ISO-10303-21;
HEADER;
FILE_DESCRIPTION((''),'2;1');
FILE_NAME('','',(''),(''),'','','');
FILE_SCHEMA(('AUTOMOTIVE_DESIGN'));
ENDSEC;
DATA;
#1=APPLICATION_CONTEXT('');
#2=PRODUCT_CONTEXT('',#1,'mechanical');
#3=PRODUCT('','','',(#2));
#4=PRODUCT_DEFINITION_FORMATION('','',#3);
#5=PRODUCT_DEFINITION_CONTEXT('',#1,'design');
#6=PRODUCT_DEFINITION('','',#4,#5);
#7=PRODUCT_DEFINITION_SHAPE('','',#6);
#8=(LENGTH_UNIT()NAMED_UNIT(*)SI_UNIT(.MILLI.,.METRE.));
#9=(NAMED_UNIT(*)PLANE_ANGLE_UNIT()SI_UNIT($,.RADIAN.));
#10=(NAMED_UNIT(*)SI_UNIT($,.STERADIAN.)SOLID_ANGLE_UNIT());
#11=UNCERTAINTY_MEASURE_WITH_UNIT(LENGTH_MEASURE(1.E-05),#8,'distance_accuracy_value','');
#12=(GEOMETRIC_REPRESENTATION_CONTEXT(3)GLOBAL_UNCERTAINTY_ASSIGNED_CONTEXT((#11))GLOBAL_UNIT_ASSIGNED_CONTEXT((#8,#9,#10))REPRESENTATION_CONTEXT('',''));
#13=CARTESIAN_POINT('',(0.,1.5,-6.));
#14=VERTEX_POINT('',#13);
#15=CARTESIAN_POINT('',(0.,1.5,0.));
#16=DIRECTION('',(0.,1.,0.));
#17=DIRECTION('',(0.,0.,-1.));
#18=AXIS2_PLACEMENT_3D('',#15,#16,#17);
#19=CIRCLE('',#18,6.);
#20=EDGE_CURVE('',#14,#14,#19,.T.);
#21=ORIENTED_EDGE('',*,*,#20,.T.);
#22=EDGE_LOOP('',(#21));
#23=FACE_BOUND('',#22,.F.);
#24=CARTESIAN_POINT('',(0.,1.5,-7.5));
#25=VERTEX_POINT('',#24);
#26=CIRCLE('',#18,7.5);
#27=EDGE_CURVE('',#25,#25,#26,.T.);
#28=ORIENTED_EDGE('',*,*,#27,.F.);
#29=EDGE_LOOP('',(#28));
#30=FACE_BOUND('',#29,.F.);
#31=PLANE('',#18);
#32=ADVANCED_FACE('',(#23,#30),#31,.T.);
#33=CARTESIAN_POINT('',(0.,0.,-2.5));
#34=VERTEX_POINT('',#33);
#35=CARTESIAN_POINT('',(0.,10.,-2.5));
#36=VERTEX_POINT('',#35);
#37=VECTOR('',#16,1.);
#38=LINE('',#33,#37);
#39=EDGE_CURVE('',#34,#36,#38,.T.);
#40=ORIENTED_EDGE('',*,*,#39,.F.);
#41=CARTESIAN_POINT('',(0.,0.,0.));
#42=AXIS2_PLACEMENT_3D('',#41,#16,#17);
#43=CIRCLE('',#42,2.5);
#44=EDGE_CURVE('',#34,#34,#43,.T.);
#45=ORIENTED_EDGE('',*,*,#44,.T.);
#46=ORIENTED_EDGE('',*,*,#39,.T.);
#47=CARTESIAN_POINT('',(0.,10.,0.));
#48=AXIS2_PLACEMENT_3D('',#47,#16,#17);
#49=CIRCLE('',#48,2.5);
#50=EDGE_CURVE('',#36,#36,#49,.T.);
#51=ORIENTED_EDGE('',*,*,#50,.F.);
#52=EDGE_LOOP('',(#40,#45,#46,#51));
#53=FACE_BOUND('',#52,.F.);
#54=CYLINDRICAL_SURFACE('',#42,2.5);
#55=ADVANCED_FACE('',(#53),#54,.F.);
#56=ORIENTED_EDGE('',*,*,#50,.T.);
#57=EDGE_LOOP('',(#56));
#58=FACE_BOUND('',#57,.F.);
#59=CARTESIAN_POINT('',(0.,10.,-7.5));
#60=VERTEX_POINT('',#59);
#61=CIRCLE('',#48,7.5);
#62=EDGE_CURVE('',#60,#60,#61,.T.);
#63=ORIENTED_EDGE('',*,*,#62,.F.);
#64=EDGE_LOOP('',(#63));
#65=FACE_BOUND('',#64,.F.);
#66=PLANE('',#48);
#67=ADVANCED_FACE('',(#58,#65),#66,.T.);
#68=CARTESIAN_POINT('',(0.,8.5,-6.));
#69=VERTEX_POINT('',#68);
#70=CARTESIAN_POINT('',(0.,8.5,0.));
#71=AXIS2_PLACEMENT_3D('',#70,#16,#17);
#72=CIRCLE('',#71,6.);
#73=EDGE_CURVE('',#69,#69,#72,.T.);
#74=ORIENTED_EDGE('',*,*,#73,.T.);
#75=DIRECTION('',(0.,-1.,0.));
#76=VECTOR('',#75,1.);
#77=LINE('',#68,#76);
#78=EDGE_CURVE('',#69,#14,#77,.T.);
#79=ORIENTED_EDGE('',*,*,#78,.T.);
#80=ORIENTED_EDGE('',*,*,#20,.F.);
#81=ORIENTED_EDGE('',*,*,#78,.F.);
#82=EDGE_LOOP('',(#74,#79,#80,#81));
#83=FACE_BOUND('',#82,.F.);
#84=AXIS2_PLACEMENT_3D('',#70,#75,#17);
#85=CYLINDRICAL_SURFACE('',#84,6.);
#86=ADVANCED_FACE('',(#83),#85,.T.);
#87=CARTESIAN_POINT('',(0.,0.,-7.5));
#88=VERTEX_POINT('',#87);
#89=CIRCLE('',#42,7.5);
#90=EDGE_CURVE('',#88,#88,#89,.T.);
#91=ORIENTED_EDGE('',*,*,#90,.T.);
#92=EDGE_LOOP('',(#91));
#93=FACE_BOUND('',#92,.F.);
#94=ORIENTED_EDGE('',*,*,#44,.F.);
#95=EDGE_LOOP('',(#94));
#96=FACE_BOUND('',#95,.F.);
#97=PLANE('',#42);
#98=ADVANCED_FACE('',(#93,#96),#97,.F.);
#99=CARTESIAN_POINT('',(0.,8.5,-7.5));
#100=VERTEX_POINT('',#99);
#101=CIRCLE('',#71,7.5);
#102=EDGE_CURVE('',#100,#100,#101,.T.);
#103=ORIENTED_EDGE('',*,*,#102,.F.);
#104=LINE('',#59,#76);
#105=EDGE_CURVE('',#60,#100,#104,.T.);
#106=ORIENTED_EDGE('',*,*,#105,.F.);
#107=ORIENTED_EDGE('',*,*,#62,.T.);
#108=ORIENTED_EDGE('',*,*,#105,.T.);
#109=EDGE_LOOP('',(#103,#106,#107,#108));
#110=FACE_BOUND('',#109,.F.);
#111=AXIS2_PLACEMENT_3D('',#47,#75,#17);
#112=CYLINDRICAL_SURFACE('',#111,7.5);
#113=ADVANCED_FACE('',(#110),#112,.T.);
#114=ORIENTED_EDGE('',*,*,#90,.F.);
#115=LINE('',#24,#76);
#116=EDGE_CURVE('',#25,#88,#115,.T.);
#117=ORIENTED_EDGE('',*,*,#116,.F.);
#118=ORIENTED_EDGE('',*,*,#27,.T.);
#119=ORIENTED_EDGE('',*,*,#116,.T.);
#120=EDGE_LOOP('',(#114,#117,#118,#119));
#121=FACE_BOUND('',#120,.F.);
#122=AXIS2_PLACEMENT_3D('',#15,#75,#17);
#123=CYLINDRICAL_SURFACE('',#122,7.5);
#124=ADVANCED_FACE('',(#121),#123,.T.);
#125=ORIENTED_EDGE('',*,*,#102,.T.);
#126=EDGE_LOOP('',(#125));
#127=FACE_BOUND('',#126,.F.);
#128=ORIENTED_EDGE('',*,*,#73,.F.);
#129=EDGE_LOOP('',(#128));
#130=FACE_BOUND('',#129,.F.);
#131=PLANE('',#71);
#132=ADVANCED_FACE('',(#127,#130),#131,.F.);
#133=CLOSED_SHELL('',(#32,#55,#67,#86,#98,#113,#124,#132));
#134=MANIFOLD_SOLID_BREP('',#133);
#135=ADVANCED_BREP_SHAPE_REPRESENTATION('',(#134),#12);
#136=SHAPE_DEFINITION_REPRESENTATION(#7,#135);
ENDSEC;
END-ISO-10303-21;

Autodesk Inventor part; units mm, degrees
ref_plane "YZ Plane" through (0, 0, 0) normal (1, 0, 0) x (0, 1, 0)
ref_plane "XZ Plane" through (0, 0, 0) normal (0, 1, 0) x (-1, 0, 0)
ref_plane "XY Plane" through (0, 0, 0) normal (0, 0, 1) x (1, 0, 0)
sketch "Sketch1" plane through (0, 0, 0) normal (1, 0, 0) x (0, 1, 0)
  line L0 (0, 0) -> (17.2785, 0)
  line L1 (0, -2.5) -> (10, -2.5)
  line L2 (10, -2.5) -> (10, -7.5)
  line L3 (10, -7.5) -> (8.5, -7.5)
  line L4 (8.5, -7.5) -> (8.5, -6)
  line L5 (8.5, -6) -> (1.5, -6)
  line L6 (1.5, -6) -> (1.5, -7.5)
  line L7 (1.5, -7.5) -> (0, -7.5)
  line L8 (0, -7.5) -> (0, -2.5)
  point P0 (5, -2.5)
  dimension "d1" = 5
  dimension "d2" = 15
  dimension "d3" = 12
  dimension "d4" = 7
  dimension "d5" = 1.5
revolve "Revolution1" add sketch "Sketch1" angle 360 about axis through (0, 0, 0) along (0, 1, 0)
properties part number "6mm toothed idler" material "Aluminum 6061"
